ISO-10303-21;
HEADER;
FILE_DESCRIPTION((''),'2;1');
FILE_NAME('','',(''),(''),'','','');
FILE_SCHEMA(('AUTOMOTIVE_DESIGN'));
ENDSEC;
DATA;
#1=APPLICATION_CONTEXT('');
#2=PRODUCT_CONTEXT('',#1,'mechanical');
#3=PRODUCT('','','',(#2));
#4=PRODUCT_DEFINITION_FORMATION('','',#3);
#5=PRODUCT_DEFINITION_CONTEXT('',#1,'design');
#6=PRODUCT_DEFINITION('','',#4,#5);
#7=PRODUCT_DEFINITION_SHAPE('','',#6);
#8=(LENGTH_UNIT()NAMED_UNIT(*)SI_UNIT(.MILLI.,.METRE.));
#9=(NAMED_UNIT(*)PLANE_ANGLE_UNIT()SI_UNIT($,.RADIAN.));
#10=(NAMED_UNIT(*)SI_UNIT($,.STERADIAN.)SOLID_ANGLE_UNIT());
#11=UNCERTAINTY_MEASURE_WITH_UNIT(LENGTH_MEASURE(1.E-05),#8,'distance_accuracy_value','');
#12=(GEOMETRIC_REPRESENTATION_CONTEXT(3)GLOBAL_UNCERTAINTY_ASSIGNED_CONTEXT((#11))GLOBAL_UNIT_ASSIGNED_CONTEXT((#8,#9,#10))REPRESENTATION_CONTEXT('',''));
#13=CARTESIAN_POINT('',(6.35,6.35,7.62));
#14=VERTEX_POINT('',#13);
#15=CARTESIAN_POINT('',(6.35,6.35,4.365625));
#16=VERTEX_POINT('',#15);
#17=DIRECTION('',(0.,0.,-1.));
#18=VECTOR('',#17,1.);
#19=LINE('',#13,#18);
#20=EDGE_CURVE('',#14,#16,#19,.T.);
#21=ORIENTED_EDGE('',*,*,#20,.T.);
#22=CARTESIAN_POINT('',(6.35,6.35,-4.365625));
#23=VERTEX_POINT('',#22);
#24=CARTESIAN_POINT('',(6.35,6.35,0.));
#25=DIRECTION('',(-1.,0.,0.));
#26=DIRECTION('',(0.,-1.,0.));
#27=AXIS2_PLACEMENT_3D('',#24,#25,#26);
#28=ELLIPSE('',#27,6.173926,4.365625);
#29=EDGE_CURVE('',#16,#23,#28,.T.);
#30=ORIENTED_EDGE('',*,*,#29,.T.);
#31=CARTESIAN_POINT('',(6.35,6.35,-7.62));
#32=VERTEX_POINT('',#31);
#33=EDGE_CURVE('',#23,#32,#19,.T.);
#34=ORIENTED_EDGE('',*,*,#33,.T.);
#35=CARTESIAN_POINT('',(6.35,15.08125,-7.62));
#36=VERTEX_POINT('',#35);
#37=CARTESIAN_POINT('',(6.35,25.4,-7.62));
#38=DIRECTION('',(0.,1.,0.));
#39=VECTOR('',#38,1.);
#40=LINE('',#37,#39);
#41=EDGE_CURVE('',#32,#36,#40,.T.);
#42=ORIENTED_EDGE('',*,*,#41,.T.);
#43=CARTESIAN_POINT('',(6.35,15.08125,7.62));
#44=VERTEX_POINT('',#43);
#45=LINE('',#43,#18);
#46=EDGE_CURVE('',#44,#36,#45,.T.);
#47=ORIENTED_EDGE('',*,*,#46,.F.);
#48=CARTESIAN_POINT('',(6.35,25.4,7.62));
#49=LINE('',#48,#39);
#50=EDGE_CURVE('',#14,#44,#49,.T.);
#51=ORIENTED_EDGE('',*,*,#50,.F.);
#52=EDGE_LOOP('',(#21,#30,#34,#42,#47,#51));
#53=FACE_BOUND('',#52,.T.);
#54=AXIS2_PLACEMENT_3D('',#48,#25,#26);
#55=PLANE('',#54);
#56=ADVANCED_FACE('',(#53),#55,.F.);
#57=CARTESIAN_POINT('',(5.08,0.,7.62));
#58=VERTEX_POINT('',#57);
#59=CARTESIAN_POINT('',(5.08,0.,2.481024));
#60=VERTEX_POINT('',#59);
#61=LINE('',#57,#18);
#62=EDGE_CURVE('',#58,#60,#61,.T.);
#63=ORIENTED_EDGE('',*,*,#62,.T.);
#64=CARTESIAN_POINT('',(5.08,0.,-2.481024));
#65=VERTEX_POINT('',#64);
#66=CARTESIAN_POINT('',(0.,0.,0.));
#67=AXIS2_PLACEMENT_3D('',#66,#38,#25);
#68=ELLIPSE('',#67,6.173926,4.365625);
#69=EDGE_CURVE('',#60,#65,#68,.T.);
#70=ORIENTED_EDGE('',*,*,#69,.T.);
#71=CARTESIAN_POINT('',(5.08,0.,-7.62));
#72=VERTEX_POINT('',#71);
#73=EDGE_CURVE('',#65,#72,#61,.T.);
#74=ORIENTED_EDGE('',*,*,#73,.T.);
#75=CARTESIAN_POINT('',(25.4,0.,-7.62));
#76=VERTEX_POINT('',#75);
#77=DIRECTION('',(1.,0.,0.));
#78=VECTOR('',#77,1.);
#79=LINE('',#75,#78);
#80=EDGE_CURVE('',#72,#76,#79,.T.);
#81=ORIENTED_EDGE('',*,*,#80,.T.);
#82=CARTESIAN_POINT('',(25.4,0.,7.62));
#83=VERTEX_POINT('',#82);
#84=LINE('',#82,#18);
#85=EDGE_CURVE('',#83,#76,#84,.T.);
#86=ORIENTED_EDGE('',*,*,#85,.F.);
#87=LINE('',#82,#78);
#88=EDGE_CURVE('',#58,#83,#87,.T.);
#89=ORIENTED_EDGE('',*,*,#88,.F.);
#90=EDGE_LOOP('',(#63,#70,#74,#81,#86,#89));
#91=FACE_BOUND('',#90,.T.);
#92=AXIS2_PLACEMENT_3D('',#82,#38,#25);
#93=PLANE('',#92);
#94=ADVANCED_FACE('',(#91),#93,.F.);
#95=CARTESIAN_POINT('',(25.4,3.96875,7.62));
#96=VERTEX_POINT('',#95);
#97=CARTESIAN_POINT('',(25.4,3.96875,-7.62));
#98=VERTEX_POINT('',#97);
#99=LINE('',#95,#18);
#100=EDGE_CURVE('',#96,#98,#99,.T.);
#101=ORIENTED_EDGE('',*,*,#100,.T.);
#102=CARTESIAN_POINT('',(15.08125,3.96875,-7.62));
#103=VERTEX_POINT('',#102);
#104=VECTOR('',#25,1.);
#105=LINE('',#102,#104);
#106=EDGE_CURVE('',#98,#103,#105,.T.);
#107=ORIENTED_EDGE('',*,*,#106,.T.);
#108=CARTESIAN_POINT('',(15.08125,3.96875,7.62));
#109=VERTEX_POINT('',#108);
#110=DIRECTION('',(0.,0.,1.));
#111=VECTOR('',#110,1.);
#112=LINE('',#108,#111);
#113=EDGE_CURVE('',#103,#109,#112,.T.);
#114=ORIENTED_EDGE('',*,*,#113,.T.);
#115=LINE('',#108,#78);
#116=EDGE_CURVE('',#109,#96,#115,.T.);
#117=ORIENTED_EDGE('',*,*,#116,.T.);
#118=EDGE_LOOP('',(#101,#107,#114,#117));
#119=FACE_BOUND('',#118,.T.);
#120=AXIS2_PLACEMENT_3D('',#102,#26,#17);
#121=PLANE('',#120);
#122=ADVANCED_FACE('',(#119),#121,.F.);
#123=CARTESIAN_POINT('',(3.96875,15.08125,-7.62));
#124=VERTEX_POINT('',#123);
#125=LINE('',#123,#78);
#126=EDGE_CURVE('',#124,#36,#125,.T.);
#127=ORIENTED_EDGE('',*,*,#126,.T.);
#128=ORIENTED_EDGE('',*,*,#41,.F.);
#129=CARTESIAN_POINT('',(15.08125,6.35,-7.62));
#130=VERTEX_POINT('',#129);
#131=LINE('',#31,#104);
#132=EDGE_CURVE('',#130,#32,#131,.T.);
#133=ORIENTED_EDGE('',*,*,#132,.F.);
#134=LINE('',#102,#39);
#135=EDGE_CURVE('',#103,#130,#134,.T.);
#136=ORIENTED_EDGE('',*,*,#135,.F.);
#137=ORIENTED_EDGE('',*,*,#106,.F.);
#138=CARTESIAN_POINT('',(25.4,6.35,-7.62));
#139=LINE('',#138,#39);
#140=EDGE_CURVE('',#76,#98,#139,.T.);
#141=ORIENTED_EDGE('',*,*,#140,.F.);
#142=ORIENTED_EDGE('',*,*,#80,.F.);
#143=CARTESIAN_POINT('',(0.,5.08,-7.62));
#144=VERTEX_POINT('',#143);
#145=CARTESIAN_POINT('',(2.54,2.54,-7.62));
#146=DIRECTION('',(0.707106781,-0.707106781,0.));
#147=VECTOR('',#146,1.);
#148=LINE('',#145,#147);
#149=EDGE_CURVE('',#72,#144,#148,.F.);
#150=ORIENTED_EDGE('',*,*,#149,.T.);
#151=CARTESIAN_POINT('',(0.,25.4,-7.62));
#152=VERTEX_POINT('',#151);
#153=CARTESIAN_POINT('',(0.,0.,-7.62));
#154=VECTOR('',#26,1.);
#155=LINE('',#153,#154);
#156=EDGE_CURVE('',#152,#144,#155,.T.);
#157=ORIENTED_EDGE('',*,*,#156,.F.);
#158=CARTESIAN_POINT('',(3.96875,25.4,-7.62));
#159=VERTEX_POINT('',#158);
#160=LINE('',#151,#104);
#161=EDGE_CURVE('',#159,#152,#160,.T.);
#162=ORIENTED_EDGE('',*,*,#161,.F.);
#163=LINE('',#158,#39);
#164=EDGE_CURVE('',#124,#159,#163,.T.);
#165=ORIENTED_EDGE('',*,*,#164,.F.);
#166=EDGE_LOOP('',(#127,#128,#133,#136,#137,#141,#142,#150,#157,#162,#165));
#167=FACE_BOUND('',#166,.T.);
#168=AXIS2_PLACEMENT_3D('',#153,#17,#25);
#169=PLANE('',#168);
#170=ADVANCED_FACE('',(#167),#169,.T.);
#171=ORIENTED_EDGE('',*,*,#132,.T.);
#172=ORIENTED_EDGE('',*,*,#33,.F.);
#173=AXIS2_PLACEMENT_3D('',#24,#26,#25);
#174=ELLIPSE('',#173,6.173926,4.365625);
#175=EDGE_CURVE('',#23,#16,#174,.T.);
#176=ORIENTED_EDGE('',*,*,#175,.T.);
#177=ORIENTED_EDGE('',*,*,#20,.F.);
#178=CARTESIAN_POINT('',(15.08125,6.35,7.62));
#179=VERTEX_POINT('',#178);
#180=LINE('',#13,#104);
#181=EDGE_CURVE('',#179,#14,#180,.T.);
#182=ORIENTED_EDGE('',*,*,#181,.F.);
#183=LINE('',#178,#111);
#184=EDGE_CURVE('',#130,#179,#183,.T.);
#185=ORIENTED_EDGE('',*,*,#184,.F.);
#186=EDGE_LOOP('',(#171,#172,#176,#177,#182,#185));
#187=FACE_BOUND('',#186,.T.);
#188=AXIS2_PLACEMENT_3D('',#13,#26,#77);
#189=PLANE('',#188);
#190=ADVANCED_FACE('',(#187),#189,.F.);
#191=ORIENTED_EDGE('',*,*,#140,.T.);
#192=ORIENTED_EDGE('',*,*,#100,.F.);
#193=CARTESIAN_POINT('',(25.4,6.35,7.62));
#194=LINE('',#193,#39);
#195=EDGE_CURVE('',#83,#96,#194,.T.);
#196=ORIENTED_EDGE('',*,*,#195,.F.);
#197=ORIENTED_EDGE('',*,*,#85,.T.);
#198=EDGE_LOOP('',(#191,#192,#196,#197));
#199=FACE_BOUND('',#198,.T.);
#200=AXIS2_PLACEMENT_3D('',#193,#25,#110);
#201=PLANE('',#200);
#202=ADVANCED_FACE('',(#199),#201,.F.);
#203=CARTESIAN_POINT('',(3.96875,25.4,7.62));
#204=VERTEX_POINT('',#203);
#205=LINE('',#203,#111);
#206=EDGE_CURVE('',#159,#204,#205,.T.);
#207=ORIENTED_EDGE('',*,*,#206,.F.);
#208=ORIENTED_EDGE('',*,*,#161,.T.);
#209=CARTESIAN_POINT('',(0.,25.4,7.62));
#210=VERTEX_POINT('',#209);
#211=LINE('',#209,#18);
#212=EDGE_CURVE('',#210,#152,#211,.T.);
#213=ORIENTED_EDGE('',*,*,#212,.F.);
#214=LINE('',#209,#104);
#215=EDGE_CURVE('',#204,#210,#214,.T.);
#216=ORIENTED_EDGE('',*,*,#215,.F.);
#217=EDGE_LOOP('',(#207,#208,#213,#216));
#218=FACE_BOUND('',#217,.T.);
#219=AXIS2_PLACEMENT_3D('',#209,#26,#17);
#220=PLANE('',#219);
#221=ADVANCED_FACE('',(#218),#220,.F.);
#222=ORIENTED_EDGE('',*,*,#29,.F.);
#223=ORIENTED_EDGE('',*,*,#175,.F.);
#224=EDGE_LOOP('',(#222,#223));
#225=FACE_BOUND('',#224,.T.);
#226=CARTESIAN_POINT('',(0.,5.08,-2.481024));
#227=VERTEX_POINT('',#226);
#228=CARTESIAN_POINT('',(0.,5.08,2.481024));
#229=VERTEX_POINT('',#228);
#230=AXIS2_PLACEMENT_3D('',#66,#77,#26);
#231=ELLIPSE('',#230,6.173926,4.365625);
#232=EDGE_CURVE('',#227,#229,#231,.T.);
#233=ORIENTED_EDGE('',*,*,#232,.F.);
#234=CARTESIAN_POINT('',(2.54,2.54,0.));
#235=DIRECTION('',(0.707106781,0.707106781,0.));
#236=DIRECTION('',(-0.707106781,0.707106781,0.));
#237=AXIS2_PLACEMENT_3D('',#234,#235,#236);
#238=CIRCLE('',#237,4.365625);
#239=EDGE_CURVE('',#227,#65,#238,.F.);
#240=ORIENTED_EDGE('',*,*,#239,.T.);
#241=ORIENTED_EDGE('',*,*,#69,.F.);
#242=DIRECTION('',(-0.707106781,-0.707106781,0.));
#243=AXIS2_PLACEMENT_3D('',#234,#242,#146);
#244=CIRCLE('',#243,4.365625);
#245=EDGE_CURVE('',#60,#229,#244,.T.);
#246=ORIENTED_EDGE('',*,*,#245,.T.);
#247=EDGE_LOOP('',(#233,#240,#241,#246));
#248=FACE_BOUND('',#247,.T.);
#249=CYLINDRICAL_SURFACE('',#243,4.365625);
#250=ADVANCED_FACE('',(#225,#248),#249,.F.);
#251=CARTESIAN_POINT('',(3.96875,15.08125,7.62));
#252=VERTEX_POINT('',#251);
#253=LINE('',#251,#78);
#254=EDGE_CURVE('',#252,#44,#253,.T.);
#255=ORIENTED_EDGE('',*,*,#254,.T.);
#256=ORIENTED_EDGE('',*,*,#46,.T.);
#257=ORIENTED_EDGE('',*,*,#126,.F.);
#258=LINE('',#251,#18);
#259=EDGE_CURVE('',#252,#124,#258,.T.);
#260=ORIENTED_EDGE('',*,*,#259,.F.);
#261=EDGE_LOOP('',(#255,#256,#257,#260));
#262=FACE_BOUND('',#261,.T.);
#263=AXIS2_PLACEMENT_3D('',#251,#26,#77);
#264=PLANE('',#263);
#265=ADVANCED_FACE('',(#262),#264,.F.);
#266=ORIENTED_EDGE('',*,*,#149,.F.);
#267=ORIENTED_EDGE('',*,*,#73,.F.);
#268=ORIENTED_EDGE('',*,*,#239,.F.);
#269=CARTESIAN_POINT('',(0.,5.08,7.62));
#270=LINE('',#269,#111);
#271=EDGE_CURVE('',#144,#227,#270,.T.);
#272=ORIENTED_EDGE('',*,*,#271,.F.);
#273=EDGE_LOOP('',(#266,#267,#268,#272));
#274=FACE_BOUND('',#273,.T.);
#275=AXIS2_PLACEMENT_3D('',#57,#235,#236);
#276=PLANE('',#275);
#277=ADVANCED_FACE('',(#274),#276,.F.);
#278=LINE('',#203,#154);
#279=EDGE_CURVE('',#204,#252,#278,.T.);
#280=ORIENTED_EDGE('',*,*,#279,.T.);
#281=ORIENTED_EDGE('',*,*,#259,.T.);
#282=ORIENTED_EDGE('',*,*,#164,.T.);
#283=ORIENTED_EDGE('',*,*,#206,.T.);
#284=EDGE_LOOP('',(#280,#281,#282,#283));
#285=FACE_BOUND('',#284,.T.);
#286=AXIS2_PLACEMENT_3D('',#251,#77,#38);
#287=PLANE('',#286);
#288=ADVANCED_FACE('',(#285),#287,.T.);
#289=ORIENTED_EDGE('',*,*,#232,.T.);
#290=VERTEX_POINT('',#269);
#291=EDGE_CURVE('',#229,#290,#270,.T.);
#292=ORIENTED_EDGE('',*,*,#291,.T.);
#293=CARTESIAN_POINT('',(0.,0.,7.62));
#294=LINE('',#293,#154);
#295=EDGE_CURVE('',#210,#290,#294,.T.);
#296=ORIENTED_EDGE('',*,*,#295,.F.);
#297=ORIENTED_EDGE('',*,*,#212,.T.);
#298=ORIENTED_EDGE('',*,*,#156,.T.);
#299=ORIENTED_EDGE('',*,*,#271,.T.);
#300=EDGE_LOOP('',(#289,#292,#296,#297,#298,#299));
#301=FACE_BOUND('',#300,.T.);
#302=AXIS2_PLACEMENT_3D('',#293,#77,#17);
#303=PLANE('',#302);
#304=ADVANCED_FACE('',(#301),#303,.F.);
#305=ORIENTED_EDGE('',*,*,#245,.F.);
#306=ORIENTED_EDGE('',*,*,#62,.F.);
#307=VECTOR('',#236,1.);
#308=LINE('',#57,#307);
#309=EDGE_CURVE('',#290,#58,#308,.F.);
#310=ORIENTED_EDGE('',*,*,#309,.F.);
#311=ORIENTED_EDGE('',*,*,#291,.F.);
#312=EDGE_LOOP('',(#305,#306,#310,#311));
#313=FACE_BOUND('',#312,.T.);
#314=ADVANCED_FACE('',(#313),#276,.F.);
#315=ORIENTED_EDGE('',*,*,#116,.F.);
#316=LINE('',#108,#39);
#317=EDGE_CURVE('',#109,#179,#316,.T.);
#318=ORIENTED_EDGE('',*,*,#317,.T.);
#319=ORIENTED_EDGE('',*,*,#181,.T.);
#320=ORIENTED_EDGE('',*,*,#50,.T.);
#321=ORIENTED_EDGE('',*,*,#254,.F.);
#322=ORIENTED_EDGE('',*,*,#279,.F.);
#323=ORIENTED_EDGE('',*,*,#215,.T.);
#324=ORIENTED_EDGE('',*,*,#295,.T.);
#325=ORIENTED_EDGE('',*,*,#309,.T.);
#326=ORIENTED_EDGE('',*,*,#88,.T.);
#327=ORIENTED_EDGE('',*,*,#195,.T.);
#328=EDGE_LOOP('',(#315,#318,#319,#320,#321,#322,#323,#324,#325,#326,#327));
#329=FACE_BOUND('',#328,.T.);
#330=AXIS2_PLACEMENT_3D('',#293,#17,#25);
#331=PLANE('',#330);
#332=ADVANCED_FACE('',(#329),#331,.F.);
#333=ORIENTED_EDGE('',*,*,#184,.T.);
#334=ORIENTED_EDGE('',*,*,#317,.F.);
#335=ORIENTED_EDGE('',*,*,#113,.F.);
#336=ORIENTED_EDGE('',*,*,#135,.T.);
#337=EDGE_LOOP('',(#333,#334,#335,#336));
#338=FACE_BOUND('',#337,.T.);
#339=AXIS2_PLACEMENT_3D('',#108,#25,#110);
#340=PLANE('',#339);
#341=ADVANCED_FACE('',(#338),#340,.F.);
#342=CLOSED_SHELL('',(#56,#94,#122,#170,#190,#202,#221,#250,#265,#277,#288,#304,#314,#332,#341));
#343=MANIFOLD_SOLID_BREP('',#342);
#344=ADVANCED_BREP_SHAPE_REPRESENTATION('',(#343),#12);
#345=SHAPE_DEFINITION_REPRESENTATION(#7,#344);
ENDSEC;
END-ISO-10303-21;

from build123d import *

# Parameters (mm, degrees)
BOSS_EXTRUDE1_DEPTH              = 7.62
SKETCH2_W                        = 15.24
SKETCH2_H                        = 10.31875
CUT_EXTRUDE1_DEPTH               = 2.38125
SKETCH4_W                        = 10.31875
SKETCH4_H                        = 15.24
CUT_EXTRUDE2_DEPTH               = 2.38125
CHAMFER1_SIZE                    = 5.08
F_11_32_0_34375_DIAMETER_HOLE1_D = 8.73125


with BuildPart() as part:
    # Sketch1 → Boss-Extrude1 (new body, symmetric)
    with BuildSketch(Plane.XY):
        Polygon((0, 0), (0, 25.4), (6.35, 25.4), (6.35, 6.35), (25.4, 6.35), (25.4, 0), align=None)
    extrude(amount=BOSS_EXTRUDE1_DEPTH, both=True)

    # Sketch2 → Cut-Extrude1 (cut)
    with BuildSketch(Plane(origin=(6.35, 0, 0), x_dir=(0, 0, -1), z_dir=(1, 0, 0))):
        with Locations((0, 20.240625)):
            Rectangle(SKETCH2_W, SKETCH2_H)
    extrude(amount=-CUT_EXTRUDE1_DEPTH, mode=Mode.SUBTRACT)

    # Sketch4 → Cut-Extrude2 (cut)
    with BuildSketch(Plane(origin=(0, 6.35, 0), x_dir=(1, 0, 0), z_dir=(0, 1, 0))):
        with Locations((20.240625, 0)):
            Rectangle(SKETCH4_W, SKETCH4_H)
    extrude(amount=-CUT_EXTRUDE2_DEPTH, mode=Mode.SUBTRACT)

    # Chamfer1
    chamfer1_edges = [part.edges().sort_by_distance(p)[0] for p in [
        (0, 0, 0),
    ]]
    chamfer(chamfer1_edges, length=CHAMFER1_SIZE)

    # 11/32 (0.34375) Diameter Hole1 (through all)
    with Locations(Plane(origin=(2.54, 2.54, 0), x_dir=(0, 0, 1), z_dir=(-0.707106781, -0.707106781, 0))):
        with Locations((0, 0)):
            Hole(F_11_32_0_34375_DIAMETER_HOLE1_D / 2)


solid = part.part
